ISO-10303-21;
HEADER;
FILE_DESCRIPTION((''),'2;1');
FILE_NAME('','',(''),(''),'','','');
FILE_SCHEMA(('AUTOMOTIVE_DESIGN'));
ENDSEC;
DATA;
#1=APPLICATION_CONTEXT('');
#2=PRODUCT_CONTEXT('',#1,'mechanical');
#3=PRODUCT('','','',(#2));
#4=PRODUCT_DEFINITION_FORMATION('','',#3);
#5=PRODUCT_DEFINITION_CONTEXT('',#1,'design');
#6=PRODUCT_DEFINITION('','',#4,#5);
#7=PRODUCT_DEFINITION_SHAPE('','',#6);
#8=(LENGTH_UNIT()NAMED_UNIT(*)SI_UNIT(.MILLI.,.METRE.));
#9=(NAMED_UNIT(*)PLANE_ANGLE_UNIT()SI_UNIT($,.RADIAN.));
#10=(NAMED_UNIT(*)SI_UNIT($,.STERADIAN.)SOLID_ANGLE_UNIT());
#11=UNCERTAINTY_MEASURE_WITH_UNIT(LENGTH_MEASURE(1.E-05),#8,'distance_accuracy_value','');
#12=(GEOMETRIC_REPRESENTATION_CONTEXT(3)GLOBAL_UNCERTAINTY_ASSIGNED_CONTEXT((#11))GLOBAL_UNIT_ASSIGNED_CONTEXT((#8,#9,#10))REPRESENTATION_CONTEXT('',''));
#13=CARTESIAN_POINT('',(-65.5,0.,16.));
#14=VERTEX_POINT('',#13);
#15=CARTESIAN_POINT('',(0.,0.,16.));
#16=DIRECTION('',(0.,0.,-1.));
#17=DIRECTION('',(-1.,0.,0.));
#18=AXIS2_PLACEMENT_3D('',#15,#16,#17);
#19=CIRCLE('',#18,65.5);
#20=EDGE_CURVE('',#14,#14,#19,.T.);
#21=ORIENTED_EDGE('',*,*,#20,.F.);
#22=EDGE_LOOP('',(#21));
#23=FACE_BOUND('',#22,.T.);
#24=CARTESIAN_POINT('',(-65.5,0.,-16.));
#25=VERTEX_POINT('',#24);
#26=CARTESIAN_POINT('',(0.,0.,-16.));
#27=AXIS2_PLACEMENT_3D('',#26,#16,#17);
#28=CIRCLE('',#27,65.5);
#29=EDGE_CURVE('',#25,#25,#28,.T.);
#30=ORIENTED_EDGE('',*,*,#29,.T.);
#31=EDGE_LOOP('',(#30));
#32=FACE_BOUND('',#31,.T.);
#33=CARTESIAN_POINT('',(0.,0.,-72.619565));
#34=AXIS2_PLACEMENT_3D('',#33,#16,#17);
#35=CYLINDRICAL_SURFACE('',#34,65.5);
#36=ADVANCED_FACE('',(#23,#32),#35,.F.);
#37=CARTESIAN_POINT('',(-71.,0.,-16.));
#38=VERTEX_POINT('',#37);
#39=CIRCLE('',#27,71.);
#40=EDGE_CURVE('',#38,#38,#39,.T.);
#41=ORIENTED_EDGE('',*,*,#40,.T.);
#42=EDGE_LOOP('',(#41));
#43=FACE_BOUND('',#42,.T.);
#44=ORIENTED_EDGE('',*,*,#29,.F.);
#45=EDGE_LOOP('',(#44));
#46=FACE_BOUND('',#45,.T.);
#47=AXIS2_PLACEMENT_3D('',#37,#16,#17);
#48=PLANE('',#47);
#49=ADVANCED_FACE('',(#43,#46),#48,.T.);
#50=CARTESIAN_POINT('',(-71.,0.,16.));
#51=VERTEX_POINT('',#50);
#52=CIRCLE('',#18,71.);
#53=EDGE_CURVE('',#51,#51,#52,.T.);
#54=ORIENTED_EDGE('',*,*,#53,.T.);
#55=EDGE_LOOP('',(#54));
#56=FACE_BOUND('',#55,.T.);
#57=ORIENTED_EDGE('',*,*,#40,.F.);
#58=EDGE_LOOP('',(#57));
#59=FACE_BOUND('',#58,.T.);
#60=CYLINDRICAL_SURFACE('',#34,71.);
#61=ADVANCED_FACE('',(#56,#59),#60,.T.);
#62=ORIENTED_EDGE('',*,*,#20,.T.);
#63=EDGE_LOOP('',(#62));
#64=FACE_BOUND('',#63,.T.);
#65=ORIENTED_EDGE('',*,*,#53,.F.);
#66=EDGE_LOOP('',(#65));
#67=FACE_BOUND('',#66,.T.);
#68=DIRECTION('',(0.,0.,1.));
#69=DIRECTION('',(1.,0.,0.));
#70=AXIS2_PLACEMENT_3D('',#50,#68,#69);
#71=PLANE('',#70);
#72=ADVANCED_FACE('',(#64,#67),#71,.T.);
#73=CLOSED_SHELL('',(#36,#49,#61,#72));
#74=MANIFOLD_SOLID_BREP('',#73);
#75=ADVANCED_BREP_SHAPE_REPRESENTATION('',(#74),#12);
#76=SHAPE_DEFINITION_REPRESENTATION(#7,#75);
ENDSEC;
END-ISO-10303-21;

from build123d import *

# Parameters (mm, degrees)
SKETCH1_W = 5.5
SKETCH1_H = 32


with BuildPart() as part:
    # Sketch1 → Revolve2 (revolve)
    with BuildSketch(Plane(origin=(0, 0, 0), x_dir=(1, 0, 0), z_dir=(0, 1, 0))):
        with Locations((-68.25, 0)):
            Rectangle(SKETCH1_W, SKETCH1_H)
    revolve(axis=Axis((0, 0, -72.619565217), (0, 0, 1)))


solid = part.part
